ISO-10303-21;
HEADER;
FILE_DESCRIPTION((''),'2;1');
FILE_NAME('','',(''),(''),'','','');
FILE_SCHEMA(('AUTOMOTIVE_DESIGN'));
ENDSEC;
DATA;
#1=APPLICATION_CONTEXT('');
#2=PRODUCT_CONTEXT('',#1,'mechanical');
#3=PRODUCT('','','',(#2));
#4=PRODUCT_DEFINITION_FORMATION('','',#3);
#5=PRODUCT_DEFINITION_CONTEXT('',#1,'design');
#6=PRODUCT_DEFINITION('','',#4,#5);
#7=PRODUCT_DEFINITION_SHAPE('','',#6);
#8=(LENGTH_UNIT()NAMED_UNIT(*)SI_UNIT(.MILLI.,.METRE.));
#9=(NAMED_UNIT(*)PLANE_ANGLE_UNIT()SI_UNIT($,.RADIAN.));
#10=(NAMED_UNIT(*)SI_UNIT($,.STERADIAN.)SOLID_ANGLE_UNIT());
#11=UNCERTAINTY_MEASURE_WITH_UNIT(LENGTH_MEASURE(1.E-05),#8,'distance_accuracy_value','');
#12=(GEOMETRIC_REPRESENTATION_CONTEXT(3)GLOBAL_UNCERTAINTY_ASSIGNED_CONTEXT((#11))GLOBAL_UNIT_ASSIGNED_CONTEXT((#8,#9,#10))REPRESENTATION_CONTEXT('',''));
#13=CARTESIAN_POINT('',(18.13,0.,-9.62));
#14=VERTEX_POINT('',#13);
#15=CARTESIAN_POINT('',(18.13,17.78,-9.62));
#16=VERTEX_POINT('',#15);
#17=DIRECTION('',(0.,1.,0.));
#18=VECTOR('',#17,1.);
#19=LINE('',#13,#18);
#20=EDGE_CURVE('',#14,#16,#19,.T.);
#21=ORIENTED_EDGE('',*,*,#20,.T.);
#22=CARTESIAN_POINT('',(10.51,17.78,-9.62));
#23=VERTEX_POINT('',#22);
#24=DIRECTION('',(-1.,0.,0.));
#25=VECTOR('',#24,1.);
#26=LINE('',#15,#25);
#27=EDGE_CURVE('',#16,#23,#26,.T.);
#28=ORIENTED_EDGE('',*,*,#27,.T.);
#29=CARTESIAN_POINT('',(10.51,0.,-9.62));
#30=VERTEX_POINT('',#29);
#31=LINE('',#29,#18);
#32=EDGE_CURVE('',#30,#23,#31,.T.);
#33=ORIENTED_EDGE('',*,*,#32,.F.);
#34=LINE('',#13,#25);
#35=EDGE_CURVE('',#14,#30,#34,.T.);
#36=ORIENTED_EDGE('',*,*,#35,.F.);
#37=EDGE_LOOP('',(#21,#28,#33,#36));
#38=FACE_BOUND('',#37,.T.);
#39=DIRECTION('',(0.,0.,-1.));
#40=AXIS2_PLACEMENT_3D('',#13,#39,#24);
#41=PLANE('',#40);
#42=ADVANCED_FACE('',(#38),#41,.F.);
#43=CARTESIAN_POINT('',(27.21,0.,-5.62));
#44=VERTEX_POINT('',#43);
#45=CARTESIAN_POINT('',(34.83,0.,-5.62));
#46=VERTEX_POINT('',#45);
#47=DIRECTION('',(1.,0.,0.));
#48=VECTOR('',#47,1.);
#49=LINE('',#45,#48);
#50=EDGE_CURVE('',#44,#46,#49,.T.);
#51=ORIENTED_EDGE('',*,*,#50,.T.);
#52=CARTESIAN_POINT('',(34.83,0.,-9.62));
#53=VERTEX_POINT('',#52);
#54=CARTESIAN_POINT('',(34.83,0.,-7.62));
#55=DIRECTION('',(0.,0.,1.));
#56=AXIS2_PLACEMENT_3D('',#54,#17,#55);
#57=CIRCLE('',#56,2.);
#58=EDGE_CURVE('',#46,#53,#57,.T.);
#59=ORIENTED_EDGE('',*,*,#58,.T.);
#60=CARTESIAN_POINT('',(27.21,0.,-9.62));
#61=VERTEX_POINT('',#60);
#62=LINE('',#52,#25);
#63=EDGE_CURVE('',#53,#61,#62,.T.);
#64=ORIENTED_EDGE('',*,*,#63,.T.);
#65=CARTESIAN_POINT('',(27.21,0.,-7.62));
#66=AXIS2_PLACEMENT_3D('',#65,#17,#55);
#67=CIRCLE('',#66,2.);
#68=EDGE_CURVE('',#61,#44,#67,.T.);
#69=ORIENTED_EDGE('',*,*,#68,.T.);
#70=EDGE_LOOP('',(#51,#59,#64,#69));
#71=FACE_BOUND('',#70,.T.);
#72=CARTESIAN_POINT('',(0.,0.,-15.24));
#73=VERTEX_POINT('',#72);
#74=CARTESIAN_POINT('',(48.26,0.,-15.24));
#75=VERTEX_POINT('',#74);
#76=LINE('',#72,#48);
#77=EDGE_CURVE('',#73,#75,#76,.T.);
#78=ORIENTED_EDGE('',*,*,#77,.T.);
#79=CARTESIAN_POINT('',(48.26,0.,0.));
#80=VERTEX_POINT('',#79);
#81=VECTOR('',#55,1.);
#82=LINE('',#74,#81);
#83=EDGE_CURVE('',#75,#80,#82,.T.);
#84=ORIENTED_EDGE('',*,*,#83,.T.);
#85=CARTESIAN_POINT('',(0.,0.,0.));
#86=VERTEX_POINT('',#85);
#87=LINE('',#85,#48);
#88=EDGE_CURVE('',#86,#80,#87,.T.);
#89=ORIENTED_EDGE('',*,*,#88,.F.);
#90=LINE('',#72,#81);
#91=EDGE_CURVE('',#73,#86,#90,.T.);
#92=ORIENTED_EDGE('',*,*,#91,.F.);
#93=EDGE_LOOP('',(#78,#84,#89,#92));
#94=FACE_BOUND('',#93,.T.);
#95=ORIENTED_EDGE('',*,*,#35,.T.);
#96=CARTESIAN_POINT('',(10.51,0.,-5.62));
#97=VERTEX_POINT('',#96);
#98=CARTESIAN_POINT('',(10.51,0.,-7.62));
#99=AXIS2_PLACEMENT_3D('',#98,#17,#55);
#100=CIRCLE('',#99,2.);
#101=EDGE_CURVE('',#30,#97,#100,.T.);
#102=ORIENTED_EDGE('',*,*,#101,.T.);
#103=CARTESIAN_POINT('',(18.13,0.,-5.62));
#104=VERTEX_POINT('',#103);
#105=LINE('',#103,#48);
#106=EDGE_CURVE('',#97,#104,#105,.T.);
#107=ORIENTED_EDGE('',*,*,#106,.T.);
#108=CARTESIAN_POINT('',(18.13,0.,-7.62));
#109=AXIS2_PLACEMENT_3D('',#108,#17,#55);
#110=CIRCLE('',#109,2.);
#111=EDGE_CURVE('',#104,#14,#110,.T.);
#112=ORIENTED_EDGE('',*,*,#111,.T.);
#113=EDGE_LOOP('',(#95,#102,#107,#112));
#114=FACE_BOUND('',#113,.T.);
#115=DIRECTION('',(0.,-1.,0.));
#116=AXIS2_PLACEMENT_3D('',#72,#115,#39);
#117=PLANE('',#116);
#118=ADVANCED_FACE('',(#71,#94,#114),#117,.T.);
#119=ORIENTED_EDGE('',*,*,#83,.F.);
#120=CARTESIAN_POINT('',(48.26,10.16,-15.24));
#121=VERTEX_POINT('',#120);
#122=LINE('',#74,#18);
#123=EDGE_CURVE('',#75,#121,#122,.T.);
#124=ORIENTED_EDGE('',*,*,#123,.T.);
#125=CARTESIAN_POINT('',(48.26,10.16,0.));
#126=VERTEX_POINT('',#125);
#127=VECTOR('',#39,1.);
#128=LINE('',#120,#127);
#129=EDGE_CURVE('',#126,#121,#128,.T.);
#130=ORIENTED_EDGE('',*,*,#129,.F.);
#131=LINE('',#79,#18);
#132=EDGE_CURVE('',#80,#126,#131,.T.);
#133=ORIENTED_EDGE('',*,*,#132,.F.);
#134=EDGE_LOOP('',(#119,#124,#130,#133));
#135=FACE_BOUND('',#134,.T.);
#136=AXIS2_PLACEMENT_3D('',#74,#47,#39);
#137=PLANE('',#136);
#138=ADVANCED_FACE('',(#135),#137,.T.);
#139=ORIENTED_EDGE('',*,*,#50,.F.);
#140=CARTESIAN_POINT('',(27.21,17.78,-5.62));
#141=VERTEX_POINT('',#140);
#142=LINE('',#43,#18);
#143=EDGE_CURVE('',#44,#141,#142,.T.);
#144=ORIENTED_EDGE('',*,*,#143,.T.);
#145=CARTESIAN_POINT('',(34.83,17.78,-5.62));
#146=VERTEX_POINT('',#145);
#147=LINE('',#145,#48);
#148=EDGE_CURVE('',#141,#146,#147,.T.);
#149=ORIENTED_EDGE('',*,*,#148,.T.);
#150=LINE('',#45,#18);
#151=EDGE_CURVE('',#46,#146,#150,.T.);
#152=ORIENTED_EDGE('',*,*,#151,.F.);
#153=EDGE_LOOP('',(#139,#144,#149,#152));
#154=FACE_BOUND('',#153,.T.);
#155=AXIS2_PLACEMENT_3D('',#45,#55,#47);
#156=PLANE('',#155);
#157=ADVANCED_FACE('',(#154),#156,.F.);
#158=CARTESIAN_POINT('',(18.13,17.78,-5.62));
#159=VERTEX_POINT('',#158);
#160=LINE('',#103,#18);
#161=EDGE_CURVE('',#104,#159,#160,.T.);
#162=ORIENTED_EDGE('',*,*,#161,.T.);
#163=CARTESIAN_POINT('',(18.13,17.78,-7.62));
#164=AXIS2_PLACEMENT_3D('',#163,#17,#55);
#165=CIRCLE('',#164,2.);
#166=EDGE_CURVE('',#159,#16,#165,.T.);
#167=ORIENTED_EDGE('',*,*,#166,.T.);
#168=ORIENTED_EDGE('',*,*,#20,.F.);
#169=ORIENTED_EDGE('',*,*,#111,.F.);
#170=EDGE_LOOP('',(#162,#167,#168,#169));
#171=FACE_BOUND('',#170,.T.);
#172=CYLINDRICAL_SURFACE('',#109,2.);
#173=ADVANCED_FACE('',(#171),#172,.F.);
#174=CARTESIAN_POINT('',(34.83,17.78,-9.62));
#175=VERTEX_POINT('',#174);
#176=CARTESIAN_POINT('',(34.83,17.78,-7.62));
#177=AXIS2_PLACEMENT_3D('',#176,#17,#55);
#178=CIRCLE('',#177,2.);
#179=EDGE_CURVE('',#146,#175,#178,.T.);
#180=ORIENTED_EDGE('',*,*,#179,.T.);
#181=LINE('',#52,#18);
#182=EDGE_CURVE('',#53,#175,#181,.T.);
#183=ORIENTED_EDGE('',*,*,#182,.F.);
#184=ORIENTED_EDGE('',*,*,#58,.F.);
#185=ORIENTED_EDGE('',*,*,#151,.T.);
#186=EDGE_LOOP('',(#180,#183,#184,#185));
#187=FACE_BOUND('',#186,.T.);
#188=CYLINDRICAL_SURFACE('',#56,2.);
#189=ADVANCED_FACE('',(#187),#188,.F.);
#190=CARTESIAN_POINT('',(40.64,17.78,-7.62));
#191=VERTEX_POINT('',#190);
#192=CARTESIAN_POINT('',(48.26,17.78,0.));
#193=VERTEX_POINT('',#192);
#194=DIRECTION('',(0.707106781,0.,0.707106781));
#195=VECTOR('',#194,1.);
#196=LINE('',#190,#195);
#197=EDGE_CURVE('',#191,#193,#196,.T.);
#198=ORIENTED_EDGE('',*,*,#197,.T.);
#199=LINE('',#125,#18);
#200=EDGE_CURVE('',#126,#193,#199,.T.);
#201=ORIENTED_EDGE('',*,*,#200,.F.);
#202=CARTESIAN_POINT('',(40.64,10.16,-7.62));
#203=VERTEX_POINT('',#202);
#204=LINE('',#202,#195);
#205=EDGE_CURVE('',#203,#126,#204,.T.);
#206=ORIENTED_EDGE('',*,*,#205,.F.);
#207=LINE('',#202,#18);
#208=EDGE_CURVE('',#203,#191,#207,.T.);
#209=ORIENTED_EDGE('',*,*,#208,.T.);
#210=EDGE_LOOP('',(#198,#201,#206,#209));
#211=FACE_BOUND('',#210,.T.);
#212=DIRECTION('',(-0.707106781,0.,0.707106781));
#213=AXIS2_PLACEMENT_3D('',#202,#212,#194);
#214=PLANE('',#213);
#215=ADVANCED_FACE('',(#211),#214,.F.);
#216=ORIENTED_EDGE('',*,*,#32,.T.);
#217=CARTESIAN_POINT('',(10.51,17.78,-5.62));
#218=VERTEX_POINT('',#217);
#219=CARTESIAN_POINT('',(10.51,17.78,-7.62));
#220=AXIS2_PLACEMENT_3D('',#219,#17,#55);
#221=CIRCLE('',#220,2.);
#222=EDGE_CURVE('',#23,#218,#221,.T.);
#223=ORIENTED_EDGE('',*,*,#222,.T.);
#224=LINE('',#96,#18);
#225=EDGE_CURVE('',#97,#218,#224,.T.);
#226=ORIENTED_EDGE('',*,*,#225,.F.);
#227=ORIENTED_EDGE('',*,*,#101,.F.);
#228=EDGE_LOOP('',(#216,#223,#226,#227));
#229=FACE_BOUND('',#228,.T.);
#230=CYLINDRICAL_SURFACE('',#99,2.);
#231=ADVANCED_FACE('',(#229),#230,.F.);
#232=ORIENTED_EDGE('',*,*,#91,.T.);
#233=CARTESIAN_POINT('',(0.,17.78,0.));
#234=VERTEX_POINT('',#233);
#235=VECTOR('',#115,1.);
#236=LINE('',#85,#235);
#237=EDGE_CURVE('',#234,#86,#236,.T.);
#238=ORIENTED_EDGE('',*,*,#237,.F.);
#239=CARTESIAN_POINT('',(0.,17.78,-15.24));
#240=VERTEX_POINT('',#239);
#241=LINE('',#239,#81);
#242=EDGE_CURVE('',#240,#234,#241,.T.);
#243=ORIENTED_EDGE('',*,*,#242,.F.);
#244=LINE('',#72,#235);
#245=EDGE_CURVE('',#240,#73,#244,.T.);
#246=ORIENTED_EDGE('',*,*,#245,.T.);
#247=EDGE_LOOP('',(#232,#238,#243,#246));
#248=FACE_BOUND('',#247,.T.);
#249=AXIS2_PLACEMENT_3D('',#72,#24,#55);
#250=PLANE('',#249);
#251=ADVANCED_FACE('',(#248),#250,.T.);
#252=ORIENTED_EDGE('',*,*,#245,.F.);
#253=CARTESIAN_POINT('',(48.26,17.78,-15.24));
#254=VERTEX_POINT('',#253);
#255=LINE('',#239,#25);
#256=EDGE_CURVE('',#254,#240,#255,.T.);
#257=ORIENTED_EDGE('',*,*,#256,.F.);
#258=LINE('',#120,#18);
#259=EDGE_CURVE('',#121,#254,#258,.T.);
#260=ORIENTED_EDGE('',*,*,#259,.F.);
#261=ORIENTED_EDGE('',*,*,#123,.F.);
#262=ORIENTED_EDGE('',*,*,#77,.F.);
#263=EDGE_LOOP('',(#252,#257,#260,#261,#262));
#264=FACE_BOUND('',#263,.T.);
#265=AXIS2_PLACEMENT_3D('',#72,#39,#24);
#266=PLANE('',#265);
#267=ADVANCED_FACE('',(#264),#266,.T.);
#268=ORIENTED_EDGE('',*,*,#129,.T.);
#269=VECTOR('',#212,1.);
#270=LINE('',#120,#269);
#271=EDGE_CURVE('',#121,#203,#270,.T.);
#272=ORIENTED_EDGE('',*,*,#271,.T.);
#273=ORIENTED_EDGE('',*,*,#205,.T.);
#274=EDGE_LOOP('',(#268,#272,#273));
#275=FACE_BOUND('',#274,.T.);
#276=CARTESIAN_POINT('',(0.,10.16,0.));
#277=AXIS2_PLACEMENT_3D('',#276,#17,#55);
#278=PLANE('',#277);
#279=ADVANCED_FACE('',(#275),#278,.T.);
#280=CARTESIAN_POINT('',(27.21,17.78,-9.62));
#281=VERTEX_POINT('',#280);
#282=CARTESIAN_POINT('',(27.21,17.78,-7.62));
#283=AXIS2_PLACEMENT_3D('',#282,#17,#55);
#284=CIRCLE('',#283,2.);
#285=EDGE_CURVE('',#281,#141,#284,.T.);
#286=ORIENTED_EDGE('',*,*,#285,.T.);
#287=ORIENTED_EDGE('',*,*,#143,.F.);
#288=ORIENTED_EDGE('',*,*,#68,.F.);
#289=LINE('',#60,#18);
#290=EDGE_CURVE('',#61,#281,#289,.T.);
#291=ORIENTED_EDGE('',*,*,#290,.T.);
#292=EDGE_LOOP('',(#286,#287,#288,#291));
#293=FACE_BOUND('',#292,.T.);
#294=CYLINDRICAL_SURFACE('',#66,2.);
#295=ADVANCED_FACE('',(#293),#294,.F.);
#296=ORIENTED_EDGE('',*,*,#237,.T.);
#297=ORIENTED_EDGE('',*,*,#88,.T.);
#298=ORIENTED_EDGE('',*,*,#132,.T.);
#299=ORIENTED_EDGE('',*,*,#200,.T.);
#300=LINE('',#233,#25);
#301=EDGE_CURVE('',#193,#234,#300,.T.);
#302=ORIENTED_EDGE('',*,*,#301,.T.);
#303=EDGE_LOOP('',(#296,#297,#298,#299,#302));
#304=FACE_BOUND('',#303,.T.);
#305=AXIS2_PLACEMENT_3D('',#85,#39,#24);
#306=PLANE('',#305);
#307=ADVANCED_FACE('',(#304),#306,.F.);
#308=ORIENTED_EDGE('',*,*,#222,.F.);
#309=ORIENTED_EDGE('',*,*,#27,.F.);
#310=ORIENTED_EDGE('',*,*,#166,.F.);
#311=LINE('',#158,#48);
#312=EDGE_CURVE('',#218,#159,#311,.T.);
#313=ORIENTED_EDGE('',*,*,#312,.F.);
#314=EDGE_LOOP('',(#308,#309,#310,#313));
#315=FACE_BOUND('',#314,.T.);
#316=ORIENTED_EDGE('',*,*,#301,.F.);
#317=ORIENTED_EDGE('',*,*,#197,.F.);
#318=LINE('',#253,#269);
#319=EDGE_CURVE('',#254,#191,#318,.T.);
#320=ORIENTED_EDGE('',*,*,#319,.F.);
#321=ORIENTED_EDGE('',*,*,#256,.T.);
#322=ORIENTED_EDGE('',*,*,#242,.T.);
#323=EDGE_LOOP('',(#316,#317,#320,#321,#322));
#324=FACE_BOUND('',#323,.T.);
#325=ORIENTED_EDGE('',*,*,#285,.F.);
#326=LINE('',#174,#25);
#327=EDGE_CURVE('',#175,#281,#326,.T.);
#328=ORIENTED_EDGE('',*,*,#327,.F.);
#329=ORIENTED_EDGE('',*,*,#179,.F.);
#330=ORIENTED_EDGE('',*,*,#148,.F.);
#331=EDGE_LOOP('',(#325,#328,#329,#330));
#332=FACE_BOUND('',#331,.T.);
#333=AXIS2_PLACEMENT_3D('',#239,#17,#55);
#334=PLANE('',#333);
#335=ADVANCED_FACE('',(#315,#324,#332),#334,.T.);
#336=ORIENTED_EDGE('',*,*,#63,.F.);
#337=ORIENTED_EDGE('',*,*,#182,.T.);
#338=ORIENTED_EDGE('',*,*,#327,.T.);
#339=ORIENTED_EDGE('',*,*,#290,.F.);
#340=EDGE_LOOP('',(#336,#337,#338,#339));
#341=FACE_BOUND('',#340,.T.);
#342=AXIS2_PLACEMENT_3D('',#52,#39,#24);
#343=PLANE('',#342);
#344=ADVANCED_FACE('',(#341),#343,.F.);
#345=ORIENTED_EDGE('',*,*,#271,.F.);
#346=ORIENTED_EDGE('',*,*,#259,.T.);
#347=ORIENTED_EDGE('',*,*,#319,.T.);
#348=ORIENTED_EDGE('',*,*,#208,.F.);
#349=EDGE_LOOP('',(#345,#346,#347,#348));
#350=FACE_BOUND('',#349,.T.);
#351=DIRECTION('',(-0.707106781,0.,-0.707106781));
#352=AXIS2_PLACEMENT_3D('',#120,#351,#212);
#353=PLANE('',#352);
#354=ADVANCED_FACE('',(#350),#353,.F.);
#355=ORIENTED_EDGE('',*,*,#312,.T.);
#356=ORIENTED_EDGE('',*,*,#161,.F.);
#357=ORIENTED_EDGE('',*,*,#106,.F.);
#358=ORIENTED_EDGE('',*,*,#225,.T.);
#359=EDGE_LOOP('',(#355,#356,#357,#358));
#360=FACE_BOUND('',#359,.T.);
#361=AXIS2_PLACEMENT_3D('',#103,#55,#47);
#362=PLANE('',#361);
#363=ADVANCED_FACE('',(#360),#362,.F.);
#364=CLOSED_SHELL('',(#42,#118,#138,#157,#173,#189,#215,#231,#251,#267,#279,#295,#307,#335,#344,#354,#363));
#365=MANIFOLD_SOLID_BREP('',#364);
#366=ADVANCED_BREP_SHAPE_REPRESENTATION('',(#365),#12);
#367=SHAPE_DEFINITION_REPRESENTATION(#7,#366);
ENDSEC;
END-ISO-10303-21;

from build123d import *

# Parameters (mm, degrees)
SKETCH1_W           = 48.26
SKETCH1_H           = 17.78
BOSS_EXTRUDE1_DEPTH = 15.24
CUT_EXTRUDE1_DEPTH  = 7.62
CUT_EXTRUDE2_DEPTH  = 18.78


with BuildPart() as part:
    # Sketch1 → Boss-Extrude1 (new body)
    with BuildSketch(Plane.XY):
        with Locations((24.13, 8.89)):
            Rectangle(SKETCH1_W, SKETCH1_H)
    extrude(amount=-BOSS_EXTRUDE1_DEPTH)

    # Sketch3 → Cut-Extrude1 (cut)
    with BuildSketch(Plane(origin=(0, 17.78, 0), x_dir=(1, 0, 0), z_dir=(0, 1, 0))):
        Polygon((48.26, 15.24), (40.64, 7.62), (48.26, 0), align=None)
    extrude(amount=-CUT_EXTRUDE1_DEPTH, mode=Mode.SUBTRACT)

    # Sketch4 → Cut-Extrude2 (cut, through all)
    with BuildSketch(Plane(origin=(0, 17.78, 0), x_dir=(1, 0, 0), z_dir=(0, 1, 0))):
        with BuildLine():
            Line((34.83, 5.62), (27.21, 5.62))
            ThreePointArc((27.21, 5.62), (25.21, 7.62), (27.21, 9.62))
            Line((27.21, 9.62), (34.83, 9.62))
            ThreePointArc((34.83, 9.62), (36.83, 7.62), (34.83, 5.62))
        make_face()
        with BuildLine():
            Line((18.13, 5.62), (10.51, 5.62))
            ThreePointArc((10.51, 5.62), (8.51, 7.62), (10.51, 9.62))
            Line((10.51, 9.62), (18.13, 9.62))
            ThreePointArc((18.13, 9.62), (20.13, 7.62), (18.13, 5.62))
        make_face()
    extrude(amount=-CUT_EXTRUDE2_DEPTH, mode=Mode.SUBTRACT)


solid = part.part
